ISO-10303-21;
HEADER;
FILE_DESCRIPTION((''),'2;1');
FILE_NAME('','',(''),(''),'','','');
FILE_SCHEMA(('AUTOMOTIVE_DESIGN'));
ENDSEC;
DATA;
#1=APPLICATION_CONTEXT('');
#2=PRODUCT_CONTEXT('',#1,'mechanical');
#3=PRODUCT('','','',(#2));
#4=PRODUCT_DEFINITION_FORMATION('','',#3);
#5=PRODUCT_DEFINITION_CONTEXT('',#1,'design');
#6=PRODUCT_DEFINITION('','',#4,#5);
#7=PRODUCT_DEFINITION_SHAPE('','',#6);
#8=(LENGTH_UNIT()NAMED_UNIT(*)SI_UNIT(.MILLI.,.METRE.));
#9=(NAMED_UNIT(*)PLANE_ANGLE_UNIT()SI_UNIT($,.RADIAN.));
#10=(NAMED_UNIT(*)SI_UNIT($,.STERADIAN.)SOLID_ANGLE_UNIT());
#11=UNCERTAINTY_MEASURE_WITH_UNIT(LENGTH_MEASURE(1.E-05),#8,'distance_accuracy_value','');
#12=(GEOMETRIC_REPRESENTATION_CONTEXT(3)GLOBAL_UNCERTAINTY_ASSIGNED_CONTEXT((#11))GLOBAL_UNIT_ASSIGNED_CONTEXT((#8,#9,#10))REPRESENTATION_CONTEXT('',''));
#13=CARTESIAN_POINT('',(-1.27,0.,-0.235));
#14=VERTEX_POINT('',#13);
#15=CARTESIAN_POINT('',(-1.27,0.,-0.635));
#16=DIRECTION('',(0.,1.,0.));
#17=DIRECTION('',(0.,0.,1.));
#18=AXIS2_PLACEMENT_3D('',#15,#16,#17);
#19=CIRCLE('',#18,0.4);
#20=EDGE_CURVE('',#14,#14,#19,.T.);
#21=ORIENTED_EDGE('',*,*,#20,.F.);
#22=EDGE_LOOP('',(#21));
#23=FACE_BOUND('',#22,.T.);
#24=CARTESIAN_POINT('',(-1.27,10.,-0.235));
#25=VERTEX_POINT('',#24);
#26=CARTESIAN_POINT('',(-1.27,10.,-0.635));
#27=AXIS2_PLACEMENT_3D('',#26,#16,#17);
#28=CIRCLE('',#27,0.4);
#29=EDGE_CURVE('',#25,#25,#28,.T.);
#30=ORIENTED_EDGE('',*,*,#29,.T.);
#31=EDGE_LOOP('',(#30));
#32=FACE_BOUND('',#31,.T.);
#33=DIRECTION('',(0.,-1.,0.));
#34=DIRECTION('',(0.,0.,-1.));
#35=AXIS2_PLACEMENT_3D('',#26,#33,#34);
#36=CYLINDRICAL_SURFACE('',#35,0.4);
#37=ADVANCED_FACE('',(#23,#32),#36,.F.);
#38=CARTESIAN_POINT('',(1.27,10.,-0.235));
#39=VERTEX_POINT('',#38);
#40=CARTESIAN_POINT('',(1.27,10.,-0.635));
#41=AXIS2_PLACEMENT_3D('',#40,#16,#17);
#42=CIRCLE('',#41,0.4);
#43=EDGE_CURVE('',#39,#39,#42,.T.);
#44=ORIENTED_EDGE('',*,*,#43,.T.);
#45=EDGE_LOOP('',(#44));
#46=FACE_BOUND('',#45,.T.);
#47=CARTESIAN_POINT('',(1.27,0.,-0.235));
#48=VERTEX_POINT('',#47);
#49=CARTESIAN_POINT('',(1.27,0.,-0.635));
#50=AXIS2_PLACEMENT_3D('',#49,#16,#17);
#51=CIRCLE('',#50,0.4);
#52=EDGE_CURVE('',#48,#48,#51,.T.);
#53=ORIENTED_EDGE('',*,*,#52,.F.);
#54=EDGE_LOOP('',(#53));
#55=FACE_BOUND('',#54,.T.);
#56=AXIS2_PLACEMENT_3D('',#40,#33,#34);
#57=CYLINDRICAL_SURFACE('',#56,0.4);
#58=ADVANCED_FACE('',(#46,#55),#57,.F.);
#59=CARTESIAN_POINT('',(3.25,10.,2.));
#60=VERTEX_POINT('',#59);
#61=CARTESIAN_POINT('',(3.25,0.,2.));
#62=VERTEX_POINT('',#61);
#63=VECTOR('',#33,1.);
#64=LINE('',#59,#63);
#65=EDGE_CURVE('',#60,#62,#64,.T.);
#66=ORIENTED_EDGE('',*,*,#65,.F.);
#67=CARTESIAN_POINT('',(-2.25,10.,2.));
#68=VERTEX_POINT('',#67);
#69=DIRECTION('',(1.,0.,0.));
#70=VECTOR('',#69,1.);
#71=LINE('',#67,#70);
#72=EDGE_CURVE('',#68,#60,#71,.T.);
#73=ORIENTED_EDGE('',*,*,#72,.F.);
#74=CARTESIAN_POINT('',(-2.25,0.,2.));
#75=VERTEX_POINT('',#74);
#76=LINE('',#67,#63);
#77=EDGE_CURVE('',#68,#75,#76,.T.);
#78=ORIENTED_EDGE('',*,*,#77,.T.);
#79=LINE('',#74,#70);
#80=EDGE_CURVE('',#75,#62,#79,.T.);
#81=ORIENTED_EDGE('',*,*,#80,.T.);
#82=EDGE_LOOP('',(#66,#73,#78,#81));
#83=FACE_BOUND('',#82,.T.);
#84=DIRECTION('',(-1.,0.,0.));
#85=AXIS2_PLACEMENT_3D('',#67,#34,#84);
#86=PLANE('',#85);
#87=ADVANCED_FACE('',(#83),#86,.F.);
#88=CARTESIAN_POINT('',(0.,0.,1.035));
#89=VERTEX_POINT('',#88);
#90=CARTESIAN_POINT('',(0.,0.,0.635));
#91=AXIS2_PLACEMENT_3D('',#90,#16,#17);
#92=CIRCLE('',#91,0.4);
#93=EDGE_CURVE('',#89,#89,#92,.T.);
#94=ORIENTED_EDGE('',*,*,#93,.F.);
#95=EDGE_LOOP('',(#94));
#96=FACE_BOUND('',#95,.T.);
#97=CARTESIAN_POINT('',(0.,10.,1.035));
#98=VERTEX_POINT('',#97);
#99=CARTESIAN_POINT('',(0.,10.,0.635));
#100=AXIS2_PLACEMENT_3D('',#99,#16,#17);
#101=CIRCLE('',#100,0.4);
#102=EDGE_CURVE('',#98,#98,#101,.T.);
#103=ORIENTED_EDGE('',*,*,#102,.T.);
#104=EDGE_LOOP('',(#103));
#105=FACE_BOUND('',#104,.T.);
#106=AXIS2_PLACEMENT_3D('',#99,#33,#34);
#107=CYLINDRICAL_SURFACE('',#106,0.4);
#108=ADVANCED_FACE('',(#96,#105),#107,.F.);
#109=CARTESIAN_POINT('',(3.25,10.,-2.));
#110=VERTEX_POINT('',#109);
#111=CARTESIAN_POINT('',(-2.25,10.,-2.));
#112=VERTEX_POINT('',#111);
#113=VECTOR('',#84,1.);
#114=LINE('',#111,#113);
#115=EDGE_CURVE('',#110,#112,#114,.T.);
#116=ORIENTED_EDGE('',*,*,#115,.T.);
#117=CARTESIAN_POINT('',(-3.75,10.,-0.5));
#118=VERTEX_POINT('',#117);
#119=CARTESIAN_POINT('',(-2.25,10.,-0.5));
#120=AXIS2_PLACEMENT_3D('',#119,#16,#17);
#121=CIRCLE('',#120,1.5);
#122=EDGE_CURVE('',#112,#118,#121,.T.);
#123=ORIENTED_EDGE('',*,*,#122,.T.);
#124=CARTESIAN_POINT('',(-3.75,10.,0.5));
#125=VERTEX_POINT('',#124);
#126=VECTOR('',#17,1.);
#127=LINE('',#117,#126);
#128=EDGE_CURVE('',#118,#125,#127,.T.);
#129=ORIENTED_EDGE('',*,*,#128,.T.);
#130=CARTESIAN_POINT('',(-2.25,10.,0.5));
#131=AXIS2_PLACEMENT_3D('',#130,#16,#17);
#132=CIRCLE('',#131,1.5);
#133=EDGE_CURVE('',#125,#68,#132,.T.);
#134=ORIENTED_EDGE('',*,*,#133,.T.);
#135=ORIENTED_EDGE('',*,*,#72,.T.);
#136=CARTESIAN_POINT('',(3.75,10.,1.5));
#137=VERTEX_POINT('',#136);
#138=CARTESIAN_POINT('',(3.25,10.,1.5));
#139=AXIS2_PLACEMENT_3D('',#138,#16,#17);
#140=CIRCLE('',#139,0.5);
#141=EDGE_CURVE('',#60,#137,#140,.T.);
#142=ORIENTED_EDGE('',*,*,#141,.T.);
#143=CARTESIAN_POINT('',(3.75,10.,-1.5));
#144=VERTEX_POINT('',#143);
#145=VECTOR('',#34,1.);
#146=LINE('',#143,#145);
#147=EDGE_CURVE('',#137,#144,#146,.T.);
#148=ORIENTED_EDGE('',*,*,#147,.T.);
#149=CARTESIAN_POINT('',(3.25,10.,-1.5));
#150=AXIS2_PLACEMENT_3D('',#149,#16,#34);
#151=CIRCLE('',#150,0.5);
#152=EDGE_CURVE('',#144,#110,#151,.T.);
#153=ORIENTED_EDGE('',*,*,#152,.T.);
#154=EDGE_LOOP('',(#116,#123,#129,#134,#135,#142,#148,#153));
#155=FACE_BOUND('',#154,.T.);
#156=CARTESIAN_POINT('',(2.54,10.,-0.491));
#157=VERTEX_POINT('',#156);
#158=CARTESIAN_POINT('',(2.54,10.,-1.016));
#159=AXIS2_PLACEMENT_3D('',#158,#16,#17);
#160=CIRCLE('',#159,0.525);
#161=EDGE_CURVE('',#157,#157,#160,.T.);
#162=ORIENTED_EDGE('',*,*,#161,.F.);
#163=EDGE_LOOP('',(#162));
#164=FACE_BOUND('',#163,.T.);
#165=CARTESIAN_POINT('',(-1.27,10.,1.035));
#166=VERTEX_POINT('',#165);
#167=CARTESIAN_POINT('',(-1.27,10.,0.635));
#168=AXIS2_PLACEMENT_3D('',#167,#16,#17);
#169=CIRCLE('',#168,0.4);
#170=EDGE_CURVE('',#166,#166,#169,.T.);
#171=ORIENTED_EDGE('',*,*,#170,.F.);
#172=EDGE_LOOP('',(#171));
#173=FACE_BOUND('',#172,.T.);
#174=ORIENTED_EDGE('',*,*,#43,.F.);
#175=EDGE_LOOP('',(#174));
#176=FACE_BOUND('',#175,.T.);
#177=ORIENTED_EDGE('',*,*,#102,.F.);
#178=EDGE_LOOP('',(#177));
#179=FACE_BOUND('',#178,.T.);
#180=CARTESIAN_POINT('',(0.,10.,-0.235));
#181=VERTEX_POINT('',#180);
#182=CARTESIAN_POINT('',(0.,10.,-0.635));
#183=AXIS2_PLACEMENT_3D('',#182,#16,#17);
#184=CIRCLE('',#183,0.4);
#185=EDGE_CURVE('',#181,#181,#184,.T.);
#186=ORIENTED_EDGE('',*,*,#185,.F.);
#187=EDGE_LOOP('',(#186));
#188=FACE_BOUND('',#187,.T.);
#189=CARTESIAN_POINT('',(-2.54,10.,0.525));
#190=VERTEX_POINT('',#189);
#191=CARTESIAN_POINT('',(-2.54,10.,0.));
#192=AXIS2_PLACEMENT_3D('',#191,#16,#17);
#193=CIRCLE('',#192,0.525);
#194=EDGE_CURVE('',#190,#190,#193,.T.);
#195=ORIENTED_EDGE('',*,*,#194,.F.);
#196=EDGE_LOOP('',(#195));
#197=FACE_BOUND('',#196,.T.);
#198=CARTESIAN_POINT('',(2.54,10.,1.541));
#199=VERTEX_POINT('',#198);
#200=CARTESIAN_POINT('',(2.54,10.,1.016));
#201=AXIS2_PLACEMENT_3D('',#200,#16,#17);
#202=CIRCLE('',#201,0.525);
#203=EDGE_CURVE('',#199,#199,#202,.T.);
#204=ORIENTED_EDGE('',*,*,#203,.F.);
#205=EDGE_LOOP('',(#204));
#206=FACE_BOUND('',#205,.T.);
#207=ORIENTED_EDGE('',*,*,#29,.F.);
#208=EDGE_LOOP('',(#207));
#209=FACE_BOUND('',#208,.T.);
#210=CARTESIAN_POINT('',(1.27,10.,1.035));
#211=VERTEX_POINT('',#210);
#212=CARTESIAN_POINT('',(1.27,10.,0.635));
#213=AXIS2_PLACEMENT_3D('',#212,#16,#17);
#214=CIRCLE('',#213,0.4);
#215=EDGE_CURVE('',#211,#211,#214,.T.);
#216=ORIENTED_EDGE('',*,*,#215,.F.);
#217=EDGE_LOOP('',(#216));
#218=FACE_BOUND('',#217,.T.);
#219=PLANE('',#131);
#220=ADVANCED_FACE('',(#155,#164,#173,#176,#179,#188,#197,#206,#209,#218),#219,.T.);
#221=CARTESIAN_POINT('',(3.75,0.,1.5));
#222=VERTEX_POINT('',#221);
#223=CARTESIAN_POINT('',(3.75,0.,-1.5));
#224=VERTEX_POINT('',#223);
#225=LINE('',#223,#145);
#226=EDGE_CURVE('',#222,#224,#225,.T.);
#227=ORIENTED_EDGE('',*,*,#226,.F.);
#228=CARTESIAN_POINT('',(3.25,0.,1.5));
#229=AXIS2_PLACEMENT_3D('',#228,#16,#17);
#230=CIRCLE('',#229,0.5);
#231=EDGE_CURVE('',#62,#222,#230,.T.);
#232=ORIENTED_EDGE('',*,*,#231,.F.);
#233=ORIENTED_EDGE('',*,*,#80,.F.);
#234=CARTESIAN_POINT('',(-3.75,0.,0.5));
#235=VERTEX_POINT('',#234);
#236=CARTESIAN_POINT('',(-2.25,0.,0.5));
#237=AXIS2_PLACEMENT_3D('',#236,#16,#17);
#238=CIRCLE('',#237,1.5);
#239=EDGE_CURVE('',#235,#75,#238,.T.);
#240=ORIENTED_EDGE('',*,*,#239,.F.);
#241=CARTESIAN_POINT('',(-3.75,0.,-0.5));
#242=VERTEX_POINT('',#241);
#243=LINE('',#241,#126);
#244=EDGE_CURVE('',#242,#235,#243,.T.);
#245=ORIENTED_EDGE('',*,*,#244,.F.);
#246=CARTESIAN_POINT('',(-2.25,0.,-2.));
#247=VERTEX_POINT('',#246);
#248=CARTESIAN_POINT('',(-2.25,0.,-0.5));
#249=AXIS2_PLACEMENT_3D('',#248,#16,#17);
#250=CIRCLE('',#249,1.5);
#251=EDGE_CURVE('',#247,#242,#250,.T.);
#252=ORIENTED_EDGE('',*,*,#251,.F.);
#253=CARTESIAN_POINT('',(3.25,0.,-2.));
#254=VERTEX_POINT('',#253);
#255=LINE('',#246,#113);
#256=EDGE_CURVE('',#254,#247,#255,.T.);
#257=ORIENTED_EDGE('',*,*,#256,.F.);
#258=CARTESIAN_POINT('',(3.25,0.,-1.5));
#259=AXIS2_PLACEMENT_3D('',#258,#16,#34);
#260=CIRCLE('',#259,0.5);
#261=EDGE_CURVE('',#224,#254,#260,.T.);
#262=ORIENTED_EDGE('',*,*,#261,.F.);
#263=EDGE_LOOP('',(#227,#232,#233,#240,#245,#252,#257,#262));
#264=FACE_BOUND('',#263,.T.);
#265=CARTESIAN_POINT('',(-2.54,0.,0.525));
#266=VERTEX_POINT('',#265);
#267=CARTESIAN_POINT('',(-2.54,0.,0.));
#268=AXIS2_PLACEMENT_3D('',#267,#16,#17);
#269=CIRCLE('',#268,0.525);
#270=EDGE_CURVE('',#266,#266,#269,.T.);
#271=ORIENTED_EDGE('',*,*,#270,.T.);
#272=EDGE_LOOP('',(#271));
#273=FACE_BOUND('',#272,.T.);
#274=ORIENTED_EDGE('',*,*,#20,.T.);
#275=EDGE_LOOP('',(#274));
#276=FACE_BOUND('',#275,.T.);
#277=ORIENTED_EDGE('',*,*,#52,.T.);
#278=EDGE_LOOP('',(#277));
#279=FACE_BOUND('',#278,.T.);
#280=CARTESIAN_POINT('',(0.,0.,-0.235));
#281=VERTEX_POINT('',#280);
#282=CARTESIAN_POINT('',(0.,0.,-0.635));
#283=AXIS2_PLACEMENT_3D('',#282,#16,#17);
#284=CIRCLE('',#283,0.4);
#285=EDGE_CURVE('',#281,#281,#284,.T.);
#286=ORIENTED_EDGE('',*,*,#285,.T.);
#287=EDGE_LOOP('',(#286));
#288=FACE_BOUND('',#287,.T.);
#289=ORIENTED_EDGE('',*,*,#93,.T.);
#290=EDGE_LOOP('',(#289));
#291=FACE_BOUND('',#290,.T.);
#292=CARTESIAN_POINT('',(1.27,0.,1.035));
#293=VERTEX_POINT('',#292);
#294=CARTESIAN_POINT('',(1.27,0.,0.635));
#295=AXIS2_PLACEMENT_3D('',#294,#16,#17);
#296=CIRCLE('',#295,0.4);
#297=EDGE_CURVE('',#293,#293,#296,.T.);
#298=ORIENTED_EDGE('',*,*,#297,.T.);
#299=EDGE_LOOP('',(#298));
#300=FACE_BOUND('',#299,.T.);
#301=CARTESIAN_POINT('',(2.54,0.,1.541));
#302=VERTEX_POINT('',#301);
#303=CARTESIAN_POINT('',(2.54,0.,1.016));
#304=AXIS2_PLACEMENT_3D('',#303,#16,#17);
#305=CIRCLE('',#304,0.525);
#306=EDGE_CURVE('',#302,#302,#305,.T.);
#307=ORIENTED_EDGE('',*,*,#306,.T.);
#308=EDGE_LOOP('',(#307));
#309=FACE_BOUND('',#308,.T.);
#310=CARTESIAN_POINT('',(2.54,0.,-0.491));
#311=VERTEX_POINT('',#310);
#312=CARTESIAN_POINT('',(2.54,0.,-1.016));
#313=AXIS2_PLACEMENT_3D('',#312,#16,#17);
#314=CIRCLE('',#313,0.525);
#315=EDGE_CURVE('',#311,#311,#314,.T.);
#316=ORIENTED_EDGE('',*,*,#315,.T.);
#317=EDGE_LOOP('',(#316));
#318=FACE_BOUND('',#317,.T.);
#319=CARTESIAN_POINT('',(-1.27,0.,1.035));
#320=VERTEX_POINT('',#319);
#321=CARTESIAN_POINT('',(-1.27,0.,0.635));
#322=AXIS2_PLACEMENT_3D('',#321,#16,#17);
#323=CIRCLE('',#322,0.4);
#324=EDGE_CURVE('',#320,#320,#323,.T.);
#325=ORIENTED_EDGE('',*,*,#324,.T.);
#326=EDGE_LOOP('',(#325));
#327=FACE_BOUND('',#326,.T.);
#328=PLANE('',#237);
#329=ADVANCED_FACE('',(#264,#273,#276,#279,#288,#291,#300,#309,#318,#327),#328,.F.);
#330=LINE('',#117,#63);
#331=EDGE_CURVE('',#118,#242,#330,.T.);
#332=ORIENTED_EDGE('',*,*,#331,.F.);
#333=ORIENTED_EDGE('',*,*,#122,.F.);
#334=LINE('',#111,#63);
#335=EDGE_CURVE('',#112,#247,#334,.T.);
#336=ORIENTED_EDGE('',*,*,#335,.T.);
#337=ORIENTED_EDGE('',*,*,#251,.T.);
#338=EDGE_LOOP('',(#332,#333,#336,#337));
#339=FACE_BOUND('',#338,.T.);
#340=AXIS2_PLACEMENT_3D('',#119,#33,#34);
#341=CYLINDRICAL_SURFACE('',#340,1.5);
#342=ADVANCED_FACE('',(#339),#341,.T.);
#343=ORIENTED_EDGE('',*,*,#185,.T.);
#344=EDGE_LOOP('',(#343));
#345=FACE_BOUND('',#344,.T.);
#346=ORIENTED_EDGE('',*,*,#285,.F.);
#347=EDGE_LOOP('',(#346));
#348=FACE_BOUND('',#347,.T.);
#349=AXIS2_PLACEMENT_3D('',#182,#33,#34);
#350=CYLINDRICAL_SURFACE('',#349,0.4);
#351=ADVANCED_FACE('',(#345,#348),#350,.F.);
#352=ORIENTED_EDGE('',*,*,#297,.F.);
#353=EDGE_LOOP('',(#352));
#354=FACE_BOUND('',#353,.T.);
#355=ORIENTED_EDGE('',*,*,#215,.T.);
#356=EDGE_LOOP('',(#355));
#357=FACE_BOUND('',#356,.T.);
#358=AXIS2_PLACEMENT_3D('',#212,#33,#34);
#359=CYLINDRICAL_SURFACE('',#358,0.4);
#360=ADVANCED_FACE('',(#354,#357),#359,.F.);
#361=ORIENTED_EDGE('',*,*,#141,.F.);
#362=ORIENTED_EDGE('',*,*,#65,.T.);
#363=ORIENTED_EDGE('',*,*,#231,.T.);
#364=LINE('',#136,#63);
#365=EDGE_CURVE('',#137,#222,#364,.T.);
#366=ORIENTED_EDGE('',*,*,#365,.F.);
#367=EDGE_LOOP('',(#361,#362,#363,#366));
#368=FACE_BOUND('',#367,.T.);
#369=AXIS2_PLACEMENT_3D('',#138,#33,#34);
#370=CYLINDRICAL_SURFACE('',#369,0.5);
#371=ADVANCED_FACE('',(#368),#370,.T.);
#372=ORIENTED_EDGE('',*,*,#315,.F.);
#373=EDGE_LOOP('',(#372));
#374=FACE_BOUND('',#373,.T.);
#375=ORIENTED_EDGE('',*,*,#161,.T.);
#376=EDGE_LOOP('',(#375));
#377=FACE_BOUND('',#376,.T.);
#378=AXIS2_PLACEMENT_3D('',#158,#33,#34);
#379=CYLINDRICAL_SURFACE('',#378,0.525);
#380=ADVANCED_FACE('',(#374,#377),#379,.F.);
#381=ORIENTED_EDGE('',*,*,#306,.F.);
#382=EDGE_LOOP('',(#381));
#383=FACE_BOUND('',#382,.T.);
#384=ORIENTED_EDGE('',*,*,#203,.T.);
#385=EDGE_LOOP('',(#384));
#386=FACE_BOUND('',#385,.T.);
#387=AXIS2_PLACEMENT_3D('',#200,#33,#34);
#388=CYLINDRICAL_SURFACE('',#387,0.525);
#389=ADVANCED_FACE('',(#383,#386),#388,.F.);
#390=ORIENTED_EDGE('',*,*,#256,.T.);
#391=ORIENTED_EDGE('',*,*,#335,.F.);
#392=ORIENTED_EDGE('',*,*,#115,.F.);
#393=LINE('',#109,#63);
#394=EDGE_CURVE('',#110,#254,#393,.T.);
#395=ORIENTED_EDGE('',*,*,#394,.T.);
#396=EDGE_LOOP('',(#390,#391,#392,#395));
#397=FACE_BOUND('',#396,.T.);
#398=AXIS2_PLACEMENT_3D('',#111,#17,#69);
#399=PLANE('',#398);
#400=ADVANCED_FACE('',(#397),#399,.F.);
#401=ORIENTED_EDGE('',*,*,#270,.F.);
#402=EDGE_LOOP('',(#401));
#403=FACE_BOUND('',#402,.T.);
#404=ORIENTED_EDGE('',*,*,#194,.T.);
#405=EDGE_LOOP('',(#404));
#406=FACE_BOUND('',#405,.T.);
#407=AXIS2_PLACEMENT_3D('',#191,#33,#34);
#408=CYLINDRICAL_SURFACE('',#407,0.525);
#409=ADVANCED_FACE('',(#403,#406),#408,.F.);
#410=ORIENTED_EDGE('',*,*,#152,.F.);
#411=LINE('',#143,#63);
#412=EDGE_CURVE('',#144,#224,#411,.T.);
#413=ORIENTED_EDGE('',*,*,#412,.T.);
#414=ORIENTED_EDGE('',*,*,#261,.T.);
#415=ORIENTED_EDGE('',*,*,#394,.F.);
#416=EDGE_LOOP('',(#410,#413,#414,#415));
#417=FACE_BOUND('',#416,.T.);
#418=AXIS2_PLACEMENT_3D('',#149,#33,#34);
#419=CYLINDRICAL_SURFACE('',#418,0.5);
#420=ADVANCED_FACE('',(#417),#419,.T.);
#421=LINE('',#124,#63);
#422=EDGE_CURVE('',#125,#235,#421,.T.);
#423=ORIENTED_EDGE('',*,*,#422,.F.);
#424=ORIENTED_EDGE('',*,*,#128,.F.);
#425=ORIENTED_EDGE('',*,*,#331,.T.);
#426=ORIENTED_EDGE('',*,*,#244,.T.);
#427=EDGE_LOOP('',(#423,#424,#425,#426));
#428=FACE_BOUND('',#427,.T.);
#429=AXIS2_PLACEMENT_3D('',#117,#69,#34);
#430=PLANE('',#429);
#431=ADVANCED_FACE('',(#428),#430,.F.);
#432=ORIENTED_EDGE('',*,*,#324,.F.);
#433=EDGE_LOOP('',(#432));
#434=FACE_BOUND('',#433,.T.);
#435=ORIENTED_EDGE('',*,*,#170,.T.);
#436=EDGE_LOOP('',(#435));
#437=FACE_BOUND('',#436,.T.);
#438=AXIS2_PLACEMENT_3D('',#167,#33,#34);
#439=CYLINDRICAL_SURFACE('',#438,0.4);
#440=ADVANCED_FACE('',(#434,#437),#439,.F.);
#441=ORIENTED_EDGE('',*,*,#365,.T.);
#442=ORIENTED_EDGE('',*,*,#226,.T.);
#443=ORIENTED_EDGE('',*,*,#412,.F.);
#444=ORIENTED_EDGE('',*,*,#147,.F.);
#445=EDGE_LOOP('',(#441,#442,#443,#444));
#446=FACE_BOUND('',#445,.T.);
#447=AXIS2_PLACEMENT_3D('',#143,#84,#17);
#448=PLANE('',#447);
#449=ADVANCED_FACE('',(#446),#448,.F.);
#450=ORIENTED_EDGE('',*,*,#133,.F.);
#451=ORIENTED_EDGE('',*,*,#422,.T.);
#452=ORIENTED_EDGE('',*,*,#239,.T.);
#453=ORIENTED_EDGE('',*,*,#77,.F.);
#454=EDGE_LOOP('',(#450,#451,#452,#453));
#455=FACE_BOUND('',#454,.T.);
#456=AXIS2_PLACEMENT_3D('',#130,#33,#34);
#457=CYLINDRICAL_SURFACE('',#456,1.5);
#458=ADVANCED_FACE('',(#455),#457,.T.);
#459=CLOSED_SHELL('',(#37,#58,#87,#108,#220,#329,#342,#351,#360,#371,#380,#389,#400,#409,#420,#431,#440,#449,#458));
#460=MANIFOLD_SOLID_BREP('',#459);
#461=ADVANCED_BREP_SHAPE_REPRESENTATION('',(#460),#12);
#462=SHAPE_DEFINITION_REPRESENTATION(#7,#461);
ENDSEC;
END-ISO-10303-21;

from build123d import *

# Parameters (mm, degrees)
SKETCH1_R           = 0.4
SKETCH1_R_2         = 0.525
BOSS_EXTRUDE1_DEPTH = 10


with BuildPart() as part:
    # Sketch1 → Boss-Extrude1 (new body)
    with BuildSketch(Plane(origin=(0, 0, 0), x_dir=(1, 0, 0), z_dir=(0, 1, 0))):
        with BuildLine():
            Line((-2.25, 2), (3.25, 2))
            ThreePointArc((3.25, 2), (3.603553391, 1.853553391), (3.75, 1.5))
            Line((3.75, 1.5), (3.75, -1.5))
            ThreePointArc((3.75, -1.5), (3.603553391, -1.853553391), (3.25, -2))
            Line((3.25, -2), (-2.25, -2))
            ThreePointArc((-2.25, -2), (-3.310660172, -1.560660172), (-3.75, -0.5))
            Line((-3.75, -0.5), (-3.75, 0.5))
            ThreePointArc((-3.75, 0.5), (-3.310660172, 1.560660172), (-2.25, 2))
        make_face()
        with Locations(Location((0, 0.635, 0), (0, 0, 270))):
            Circle(SKETCH1_R, mode=Mode.SUBTRACT)
        with Locations(Location((0, -0.635, 0), (0, 0, 270))):
            Circle(SKETCH1_R, mode=Mode.SUBTRACT)
        with Locations(Location((-1.27, -0.635, 0), (0, 0, 270))):
            Circle(SKETCH1_R, mode=Mode.SUBTRACT)
        with Locations(Location((-1.27, 0.635, 0), (0, 0, 270))):
            Circle(SKETCH1_R, mode=Mode.SUBTRACT)
        with Locations(Location((1.27, 0.635, 0), (0, 0, 270))):
            Circle(SKETCH1_R, mode=Mode.SUBTRACT)
        with Locations(Location((1.27, -0.635, 0), (0, 0, 270))):
            Circle(SKETCH1_R, mode=Mode.SUBTRACT)
        with Locations(Location((2.54, 1.016, 0), (0, 0, 270))):
            Circle(SKETCH1_R_2, mode=Mode.SUBTRACT)
        with Locations(Location((2.54, -1.016, 0), (0, 0, 270))):
            Circle(SKETCH1_R_2, mode=Mode.SUBTRACT)
        with Locations(Location((-2.54, 0, 0), (0, 0, 270))):
            Circle(SKETCH1_R_2, mode=Mode.SUBTRACT)
    extrude(amount=BOSS_EXTRUDE1_DEPTH)


solid = part.part
